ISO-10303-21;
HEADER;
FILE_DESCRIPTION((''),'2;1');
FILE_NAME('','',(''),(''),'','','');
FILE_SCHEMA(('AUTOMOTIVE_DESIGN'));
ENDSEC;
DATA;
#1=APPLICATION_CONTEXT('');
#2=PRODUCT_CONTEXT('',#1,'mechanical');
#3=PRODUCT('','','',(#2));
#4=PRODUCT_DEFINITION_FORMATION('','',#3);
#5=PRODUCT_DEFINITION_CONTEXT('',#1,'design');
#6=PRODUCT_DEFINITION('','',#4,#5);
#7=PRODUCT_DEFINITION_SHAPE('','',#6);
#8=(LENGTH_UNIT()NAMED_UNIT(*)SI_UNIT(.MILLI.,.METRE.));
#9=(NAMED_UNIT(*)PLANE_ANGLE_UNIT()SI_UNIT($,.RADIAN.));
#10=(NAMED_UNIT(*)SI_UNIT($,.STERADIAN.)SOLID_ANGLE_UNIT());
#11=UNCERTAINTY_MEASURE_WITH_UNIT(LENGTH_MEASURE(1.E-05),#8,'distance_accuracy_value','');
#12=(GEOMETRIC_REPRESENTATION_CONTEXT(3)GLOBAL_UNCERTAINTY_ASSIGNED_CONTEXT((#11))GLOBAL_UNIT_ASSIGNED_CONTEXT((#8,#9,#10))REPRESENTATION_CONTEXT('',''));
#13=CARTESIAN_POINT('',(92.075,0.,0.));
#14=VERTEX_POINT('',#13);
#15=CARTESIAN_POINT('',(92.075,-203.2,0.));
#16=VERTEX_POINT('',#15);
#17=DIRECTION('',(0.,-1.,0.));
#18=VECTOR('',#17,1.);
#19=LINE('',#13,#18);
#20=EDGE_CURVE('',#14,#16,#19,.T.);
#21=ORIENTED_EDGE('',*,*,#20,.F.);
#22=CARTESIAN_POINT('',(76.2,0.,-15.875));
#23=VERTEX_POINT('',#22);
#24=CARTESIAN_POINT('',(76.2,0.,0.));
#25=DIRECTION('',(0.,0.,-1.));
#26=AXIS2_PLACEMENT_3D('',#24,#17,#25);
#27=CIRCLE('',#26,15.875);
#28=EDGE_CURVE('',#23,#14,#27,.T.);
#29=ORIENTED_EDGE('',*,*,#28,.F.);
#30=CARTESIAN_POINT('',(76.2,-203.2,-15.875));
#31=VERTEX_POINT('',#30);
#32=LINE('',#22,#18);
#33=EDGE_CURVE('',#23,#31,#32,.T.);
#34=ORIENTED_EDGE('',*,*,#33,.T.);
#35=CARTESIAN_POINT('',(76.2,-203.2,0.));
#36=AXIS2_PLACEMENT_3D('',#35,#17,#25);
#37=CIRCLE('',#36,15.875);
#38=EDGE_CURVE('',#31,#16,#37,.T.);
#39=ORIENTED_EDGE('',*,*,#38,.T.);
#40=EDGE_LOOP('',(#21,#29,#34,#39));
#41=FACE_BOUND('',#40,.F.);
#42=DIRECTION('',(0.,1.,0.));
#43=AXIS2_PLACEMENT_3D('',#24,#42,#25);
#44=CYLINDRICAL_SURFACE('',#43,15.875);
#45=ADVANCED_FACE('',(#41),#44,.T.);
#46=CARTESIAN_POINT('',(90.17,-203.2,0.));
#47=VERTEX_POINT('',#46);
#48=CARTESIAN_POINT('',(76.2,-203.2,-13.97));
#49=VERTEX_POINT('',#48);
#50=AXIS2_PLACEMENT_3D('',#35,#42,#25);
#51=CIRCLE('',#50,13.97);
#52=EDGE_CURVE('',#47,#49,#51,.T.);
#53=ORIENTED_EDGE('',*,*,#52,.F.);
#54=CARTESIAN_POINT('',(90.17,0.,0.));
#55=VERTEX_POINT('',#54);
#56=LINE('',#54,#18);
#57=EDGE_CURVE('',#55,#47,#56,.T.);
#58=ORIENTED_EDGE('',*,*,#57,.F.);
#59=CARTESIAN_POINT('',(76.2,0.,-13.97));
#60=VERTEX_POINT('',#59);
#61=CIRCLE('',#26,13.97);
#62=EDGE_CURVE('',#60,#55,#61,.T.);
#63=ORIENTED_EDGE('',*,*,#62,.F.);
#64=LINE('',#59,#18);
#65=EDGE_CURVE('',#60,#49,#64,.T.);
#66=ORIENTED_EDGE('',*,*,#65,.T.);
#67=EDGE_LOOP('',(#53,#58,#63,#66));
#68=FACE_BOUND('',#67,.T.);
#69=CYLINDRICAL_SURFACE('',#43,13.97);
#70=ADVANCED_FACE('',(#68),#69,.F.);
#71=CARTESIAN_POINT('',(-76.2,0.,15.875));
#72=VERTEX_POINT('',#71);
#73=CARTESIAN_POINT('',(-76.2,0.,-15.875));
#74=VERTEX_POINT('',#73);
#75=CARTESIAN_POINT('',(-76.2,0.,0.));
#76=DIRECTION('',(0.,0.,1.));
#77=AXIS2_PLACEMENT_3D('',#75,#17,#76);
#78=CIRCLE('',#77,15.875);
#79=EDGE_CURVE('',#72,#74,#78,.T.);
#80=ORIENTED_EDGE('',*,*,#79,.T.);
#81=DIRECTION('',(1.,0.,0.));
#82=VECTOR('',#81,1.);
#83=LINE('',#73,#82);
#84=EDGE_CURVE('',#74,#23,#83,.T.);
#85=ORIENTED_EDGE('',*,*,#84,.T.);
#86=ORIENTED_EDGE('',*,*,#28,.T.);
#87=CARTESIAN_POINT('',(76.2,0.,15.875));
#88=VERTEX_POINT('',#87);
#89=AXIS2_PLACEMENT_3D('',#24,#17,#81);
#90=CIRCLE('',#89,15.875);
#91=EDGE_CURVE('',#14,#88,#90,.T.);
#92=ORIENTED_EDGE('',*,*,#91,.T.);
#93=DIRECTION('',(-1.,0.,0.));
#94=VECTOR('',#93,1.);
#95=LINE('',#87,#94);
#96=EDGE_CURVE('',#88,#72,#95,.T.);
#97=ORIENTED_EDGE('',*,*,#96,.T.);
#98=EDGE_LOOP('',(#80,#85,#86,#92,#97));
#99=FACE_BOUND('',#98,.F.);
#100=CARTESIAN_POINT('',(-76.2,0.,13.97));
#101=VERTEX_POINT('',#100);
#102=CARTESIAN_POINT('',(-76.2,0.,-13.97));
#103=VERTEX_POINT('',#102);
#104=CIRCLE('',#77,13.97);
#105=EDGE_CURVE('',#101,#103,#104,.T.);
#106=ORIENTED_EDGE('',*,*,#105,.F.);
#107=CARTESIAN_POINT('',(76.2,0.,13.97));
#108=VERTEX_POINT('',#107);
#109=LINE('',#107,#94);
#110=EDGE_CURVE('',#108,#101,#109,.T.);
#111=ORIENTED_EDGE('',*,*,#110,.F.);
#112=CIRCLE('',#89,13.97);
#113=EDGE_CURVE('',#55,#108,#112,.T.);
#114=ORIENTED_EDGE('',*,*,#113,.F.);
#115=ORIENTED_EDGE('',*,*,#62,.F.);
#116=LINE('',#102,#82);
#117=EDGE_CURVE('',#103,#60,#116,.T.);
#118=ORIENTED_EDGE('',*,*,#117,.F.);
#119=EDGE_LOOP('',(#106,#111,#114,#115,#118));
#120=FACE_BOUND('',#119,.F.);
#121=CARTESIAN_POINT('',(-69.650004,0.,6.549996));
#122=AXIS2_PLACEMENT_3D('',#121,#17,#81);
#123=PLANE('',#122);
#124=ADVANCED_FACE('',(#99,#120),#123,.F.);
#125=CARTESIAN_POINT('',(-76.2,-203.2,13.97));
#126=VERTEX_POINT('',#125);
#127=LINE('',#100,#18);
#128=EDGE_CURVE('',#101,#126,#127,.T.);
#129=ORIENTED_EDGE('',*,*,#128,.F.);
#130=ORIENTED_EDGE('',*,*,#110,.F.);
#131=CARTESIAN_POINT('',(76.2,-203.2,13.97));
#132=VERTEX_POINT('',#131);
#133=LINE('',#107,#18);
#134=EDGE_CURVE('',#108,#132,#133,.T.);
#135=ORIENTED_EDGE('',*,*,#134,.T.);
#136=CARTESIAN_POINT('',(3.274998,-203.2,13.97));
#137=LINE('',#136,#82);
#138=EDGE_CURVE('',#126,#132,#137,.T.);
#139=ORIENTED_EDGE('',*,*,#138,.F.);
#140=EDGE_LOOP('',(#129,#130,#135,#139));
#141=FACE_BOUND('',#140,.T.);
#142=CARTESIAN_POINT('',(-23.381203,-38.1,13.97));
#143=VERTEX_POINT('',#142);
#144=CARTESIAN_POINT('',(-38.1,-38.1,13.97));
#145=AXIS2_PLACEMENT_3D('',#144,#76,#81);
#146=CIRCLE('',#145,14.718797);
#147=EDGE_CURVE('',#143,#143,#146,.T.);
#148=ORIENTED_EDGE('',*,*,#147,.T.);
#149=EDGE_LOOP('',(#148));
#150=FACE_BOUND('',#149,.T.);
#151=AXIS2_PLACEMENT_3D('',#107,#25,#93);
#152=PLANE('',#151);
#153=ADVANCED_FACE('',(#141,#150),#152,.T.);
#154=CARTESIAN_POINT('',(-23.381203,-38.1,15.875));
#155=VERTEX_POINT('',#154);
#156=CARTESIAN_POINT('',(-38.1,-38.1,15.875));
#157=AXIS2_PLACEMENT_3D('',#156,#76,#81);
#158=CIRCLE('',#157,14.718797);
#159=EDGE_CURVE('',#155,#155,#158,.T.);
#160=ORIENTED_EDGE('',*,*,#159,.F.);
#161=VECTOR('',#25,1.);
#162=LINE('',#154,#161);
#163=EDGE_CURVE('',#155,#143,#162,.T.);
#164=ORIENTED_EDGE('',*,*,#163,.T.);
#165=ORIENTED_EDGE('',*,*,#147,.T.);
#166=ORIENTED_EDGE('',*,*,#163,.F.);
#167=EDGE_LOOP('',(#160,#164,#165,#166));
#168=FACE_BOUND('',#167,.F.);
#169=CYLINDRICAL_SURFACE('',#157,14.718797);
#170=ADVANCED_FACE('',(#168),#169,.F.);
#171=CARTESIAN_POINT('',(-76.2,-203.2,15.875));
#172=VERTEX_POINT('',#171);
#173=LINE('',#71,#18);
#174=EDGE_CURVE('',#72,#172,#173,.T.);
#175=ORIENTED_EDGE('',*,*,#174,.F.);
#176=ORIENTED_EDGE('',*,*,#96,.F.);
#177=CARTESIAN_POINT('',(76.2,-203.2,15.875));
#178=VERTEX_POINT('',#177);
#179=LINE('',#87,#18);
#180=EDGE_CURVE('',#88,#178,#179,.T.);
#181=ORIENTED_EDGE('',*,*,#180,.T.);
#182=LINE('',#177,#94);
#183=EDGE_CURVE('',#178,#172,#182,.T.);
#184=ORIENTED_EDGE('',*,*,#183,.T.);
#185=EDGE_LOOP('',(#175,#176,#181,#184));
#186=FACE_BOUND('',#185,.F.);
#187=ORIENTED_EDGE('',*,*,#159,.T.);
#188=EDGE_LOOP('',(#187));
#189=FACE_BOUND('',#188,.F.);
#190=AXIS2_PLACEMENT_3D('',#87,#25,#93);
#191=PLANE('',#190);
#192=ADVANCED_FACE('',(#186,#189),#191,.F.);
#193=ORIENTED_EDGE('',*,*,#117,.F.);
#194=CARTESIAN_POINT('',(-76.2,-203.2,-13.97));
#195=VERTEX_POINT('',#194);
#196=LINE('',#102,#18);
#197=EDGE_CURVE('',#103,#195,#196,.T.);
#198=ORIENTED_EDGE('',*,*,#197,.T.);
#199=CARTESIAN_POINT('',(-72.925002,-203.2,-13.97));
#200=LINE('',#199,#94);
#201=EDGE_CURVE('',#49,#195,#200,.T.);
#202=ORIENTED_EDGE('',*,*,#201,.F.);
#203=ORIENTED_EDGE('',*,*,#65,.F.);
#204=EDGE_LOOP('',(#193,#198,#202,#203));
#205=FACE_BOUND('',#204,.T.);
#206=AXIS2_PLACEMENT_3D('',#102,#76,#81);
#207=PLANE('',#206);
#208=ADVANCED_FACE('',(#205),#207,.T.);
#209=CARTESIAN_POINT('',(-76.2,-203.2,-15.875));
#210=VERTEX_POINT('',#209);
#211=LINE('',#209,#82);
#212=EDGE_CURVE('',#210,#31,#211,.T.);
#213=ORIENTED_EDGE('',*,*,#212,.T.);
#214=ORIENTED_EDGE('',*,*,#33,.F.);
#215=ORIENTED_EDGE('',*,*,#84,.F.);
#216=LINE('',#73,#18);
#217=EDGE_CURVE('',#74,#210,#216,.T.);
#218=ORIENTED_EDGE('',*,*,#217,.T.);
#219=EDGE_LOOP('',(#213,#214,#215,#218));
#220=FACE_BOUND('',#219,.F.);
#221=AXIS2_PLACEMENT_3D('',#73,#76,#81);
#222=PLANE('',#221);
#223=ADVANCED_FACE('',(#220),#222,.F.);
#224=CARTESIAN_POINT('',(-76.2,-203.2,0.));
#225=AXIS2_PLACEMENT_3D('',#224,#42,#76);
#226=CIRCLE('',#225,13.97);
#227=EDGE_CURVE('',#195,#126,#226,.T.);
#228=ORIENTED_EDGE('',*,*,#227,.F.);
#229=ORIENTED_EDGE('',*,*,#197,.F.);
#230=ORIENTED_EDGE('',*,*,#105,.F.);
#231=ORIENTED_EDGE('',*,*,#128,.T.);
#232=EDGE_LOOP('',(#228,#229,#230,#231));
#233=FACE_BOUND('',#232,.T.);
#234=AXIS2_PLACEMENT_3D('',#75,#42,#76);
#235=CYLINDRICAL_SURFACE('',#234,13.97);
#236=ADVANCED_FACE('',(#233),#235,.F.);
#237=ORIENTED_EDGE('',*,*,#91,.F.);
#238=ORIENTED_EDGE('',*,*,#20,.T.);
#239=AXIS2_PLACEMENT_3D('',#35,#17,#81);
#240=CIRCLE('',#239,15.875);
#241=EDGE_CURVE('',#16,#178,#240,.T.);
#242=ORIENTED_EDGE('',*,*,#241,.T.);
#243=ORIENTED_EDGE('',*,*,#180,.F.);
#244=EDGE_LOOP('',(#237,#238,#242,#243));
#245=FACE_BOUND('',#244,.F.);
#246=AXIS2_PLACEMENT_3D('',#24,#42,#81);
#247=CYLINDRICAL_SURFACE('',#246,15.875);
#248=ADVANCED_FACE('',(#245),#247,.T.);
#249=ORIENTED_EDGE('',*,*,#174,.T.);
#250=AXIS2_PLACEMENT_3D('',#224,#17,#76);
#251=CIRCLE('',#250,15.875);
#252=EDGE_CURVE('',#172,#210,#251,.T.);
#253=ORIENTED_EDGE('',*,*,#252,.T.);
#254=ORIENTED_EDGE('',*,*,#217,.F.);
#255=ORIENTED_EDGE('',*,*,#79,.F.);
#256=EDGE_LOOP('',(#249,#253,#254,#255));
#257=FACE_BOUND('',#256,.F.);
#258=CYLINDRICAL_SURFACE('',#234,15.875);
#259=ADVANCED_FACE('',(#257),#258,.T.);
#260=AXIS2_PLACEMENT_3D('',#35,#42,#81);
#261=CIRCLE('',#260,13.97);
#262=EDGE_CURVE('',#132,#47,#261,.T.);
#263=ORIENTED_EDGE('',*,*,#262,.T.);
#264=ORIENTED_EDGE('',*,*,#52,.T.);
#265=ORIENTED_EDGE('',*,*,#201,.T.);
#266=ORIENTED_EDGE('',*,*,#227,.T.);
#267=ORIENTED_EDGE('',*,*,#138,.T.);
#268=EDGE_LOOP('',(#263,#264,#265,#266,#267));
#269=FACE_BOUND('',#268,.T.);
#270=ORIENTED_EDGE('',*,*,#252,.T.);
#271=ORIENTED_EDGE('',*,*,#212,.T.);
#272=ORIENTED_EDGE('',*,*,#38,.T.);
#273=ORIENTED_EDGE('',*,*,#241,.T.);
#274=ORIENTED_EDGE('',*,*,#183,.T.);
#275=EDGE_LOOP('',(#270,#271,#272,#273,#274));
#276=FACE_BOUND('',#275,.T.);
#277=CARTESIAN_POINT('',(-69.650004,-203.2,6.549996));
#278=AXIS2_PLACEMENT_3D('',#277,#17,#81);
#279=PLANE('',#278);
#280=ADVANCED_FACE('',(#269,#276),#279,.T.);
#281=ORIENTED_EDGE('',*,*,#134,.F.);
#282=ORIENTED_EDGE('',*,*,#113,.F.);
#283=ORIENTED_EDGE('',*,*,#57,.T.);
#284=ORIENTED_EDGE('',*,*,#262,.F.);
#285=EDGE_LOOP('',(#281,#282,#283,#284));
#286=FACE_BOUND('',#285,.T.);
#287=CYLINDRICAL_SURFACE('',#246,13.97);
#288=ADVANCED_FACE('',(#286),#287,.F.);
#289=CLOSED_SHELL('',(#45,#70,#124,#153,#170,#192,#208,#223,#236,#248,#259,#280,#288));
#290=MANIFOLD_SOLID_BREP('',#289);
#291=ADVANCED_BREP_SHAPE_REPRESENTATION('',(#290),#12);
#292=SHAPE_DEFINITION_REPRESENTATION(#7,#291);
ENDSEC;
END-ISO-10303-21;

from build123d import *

# Parameters (mm, degrees)
F2_DEPTH = 203.2
F3_DEPTH = 203.201
F4_R     = 14.7187970876
F5_DEPTH = 12.7


with BuildPart() as f2:
    # F0 (on Front) → F2 (new body)
    with BuildSketch(Plane.XZ):
        with BuildLine():
            Line((-76.2, 15.875), (-76.2, 0))
            Line((-76.2, 0), (-60.325, 0))
            ThreePointArc((-60.325, 0), (-64.9746798487, 11.2253201513), (-76.2, 15.875))
        make_face()
        with BuildLine():
            Line((-60.325, 0), (-76.2, 0))
            Line((-76.2, 0), (-76.2, -15.875))
            ThreePointArc((-76.2, -15.875), (-64.9746798487, -11.2253201513), (-60.325, 0))
        make_face()
        with BuildLine():
            Line((-76.2, -15.875), (-76.2, 0))
            Line((-76.2, 0), (-76.2, 15.875))
            ThreePointArc((-76.2, 15.875), (-92.075, 0), (-76.2, -15.875))
        make_face()
        with BuildLine():
            ThreePointArc((-76.2, 15.875), (-64.9746798487, 11.2253201513), (-60.325, 0))
            Line((-60.325, 0), (60.325, 0))
            ThreePointArc((60.325, 0), (64.9746798487, 11.2253201513), (76.2, 15.875))
            Line((76.2, 15.875), (-76.2, 15.875))
        make_face()
        with BuildLine():
            Line((60.325, 0), (-60.325, 0))
            ThreePointArc((-60.325, 0), (-64.9746798487, -11.2253201513), (-76.2, -15.875))
            Line((-76.2, -15.875), (76.2, -15.875))
            ThreePointArc((76.2, -15.875), (64.9746798487, -11.2253201513), (60.325, 0))
        make_face()
        with BuildLine():
            ThreePointArc((76.2, 15.875), (64.9746798487, 11.2253201513), (60.325, 0))
            Line((60.325, 0), (76.2, 0))
            Line((76.2, 0), (76.2, 15.875))
        make_face()
        with BuildLine():
            Line((76.2, 0), (60.325, 0))
            ThreePointArc((60.325, 0), (64.9746798487, -11.2253201513), (76.2, -15.875))
            Line((76.2, -15.875), (76.2, 0))
        make_face()
        with BuildLine():
            Line((76.2, 0), (76.2, -15.875))
            ThreePointArc((76.2, -15.875), (87.4253201513, -11.2253201513), (92.075, 0))
            ThreePointArc((92.075, 0), (87.4253201513, 11.2253201513), (76.2, 15.875))
            Line((76.2, 15.875), (76.2, 0))
        make_face()
    extrude(amount=F2_DEPTH)

    # F1 (on Front) → F3 (cut, through all)
    with BuildSketch(Plane.XZ):
        with BuildLine():
            ThreePointArc((76.2, -13.97), (62.23, 0), (76.2, 13.97))
            Line((76.2, 13.97), (-76.2, 13.97))
            ThreePointArc((-76.2, 13.97), (-66.3217182668, 9.8782817332), (-62.23, 0))
            ThreePointArc((-62.23, 0), (-66.3217182668, -9.8782817332), (-76.2, -13.97))
            Line((-76.2, -13.97), (76.2, -13.97))
        make_face()
        with BuildLine():
            ThreePointArc((90.17, 0), (86.0782817332, 9.8782817332), (76.2, 13.97))
            Line((76.2, 13.97), (76.2, -13.97))
            ThreePointArc((76.2, -13.97), (86.0782817332, -9.8782817332), (90.17, 0))
        make_face()
        with BuildLine():
            Line((76.2, -13.97), (76.2, 13.97))
            ThreePointArc((76.2, 13.97), (62.23, 0), (76.2, -13.97))
        make_face()
        with BuildLine():
            ThreePointArc((-62.23, 0), (-66.3217182668, 9.8782817332), (-76.2, 13.97))
            Line((-76.2, 13.97), (-76.2, -13.97))
            ThreePointArc((-76.2, -13.97), (-66.3217182668, -9.8782817332), (-62.23, 0))
        make_face()
        with BuildLine():
            Line((-76.2, -13.97), (-76.2, 13.97))
            ThreePointArc((-76.2, 13.97), (-90.17, 0), (-76.2, -13.97))
        make_face()
    extrude(amount=F3_DEPTH, mode=Mode.SUBTRACT)

    # F4 (on face) → F5 (cut)
    with BuildSketch(Plane.XY.offset(15.875)):
        with Locations((-38.1, -38.1)):
            Circle(F4_R)
    extrude(amount=-F5_DEPTH, mode=Mode.SUBTRACT)


solid = f2.part
